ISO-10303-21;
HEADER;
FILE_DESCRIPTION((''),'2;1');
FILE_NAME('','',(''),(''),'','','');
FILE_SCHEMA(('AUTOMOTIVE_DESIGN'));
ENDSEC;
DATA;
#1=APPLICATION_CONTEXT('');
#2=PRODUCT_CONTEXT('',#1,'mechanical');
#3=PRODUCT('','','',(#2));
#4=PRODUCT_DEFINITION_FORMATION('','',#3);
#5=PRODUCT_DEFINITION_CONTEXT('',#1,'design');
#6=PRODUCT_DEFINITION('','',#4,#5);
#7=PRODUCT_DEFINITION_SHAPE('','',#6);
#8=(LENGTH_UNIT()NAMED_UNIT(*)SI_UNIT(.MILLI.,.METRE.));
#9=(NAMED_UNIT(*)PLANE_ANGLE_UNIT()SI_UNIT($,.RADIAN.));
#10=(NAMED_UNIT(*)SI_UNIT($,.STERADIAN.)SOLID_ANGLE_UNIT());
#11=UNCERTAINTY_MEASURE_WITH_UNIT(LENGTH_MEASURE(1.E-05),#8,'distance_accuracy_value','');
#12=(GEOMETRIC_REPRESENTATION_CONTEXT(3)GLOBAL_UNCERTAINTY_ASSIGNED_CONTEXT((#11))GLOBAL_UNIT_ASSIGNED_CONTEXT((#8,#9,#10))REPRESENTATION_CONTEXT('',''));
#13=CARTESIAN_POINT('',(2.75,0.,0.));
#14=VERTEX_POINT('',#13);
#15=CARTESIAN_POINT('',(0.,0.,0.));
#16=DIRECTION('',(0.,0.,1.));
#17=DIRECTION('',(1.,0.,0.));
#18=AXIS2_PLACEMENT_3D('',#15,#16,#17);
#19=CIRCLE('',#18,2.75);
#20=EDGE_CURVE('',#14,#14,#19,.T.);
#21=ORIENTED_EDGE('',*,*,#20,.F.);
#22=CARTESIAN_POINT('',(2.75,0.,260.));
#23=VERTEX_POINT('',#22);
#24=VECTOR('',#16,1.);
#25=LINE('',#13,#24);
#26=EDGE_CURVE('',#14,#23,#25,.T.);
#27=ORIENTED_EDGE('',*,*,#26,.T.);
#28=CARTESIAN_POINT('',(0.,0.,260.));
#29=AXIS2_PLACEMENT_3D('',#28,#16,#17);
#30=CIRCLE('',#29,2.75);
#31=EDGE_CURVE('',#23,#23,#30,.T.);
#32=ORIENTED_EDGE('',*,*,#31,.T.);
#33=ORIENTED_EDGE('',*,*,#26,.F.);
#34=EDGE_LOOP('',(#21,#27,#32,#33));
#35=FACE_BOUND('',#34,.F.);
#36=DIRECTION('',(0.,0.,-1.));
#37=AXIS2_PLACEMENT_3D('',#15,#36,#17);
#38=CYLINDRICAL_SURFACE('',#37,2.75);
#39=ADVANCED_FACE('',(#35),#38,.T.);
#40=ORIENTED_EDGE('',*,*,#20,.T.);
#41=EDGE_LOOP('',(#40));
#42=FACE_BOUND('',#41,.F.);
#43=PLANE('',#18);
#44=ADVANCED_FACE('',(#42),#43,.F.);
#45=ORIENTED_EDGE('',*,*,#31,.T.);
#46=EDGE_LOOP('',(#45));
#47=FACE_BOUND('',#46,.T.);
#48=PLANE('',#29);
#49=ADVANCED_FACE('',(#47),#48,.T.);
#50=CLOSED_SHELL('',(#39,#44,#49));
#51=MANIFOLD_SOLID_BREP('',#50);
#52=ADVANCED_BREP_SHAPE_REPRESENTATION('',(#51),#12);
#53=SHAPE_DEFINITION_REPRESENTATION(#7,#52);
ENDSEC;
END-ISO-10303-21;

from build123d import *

# Parameters (mm, degrees)
CYLINDER_R     = 2.75
CYLINDER_DEPTH = 260


with BuildPart() as part:
    # Cylinder → Cylinder (new body)
    with BuildSketch(Plane.XY):
        Circle(CYLINDER_R)
    extrude(amount=CYLINDER_DEPTH)


solid = part.part
